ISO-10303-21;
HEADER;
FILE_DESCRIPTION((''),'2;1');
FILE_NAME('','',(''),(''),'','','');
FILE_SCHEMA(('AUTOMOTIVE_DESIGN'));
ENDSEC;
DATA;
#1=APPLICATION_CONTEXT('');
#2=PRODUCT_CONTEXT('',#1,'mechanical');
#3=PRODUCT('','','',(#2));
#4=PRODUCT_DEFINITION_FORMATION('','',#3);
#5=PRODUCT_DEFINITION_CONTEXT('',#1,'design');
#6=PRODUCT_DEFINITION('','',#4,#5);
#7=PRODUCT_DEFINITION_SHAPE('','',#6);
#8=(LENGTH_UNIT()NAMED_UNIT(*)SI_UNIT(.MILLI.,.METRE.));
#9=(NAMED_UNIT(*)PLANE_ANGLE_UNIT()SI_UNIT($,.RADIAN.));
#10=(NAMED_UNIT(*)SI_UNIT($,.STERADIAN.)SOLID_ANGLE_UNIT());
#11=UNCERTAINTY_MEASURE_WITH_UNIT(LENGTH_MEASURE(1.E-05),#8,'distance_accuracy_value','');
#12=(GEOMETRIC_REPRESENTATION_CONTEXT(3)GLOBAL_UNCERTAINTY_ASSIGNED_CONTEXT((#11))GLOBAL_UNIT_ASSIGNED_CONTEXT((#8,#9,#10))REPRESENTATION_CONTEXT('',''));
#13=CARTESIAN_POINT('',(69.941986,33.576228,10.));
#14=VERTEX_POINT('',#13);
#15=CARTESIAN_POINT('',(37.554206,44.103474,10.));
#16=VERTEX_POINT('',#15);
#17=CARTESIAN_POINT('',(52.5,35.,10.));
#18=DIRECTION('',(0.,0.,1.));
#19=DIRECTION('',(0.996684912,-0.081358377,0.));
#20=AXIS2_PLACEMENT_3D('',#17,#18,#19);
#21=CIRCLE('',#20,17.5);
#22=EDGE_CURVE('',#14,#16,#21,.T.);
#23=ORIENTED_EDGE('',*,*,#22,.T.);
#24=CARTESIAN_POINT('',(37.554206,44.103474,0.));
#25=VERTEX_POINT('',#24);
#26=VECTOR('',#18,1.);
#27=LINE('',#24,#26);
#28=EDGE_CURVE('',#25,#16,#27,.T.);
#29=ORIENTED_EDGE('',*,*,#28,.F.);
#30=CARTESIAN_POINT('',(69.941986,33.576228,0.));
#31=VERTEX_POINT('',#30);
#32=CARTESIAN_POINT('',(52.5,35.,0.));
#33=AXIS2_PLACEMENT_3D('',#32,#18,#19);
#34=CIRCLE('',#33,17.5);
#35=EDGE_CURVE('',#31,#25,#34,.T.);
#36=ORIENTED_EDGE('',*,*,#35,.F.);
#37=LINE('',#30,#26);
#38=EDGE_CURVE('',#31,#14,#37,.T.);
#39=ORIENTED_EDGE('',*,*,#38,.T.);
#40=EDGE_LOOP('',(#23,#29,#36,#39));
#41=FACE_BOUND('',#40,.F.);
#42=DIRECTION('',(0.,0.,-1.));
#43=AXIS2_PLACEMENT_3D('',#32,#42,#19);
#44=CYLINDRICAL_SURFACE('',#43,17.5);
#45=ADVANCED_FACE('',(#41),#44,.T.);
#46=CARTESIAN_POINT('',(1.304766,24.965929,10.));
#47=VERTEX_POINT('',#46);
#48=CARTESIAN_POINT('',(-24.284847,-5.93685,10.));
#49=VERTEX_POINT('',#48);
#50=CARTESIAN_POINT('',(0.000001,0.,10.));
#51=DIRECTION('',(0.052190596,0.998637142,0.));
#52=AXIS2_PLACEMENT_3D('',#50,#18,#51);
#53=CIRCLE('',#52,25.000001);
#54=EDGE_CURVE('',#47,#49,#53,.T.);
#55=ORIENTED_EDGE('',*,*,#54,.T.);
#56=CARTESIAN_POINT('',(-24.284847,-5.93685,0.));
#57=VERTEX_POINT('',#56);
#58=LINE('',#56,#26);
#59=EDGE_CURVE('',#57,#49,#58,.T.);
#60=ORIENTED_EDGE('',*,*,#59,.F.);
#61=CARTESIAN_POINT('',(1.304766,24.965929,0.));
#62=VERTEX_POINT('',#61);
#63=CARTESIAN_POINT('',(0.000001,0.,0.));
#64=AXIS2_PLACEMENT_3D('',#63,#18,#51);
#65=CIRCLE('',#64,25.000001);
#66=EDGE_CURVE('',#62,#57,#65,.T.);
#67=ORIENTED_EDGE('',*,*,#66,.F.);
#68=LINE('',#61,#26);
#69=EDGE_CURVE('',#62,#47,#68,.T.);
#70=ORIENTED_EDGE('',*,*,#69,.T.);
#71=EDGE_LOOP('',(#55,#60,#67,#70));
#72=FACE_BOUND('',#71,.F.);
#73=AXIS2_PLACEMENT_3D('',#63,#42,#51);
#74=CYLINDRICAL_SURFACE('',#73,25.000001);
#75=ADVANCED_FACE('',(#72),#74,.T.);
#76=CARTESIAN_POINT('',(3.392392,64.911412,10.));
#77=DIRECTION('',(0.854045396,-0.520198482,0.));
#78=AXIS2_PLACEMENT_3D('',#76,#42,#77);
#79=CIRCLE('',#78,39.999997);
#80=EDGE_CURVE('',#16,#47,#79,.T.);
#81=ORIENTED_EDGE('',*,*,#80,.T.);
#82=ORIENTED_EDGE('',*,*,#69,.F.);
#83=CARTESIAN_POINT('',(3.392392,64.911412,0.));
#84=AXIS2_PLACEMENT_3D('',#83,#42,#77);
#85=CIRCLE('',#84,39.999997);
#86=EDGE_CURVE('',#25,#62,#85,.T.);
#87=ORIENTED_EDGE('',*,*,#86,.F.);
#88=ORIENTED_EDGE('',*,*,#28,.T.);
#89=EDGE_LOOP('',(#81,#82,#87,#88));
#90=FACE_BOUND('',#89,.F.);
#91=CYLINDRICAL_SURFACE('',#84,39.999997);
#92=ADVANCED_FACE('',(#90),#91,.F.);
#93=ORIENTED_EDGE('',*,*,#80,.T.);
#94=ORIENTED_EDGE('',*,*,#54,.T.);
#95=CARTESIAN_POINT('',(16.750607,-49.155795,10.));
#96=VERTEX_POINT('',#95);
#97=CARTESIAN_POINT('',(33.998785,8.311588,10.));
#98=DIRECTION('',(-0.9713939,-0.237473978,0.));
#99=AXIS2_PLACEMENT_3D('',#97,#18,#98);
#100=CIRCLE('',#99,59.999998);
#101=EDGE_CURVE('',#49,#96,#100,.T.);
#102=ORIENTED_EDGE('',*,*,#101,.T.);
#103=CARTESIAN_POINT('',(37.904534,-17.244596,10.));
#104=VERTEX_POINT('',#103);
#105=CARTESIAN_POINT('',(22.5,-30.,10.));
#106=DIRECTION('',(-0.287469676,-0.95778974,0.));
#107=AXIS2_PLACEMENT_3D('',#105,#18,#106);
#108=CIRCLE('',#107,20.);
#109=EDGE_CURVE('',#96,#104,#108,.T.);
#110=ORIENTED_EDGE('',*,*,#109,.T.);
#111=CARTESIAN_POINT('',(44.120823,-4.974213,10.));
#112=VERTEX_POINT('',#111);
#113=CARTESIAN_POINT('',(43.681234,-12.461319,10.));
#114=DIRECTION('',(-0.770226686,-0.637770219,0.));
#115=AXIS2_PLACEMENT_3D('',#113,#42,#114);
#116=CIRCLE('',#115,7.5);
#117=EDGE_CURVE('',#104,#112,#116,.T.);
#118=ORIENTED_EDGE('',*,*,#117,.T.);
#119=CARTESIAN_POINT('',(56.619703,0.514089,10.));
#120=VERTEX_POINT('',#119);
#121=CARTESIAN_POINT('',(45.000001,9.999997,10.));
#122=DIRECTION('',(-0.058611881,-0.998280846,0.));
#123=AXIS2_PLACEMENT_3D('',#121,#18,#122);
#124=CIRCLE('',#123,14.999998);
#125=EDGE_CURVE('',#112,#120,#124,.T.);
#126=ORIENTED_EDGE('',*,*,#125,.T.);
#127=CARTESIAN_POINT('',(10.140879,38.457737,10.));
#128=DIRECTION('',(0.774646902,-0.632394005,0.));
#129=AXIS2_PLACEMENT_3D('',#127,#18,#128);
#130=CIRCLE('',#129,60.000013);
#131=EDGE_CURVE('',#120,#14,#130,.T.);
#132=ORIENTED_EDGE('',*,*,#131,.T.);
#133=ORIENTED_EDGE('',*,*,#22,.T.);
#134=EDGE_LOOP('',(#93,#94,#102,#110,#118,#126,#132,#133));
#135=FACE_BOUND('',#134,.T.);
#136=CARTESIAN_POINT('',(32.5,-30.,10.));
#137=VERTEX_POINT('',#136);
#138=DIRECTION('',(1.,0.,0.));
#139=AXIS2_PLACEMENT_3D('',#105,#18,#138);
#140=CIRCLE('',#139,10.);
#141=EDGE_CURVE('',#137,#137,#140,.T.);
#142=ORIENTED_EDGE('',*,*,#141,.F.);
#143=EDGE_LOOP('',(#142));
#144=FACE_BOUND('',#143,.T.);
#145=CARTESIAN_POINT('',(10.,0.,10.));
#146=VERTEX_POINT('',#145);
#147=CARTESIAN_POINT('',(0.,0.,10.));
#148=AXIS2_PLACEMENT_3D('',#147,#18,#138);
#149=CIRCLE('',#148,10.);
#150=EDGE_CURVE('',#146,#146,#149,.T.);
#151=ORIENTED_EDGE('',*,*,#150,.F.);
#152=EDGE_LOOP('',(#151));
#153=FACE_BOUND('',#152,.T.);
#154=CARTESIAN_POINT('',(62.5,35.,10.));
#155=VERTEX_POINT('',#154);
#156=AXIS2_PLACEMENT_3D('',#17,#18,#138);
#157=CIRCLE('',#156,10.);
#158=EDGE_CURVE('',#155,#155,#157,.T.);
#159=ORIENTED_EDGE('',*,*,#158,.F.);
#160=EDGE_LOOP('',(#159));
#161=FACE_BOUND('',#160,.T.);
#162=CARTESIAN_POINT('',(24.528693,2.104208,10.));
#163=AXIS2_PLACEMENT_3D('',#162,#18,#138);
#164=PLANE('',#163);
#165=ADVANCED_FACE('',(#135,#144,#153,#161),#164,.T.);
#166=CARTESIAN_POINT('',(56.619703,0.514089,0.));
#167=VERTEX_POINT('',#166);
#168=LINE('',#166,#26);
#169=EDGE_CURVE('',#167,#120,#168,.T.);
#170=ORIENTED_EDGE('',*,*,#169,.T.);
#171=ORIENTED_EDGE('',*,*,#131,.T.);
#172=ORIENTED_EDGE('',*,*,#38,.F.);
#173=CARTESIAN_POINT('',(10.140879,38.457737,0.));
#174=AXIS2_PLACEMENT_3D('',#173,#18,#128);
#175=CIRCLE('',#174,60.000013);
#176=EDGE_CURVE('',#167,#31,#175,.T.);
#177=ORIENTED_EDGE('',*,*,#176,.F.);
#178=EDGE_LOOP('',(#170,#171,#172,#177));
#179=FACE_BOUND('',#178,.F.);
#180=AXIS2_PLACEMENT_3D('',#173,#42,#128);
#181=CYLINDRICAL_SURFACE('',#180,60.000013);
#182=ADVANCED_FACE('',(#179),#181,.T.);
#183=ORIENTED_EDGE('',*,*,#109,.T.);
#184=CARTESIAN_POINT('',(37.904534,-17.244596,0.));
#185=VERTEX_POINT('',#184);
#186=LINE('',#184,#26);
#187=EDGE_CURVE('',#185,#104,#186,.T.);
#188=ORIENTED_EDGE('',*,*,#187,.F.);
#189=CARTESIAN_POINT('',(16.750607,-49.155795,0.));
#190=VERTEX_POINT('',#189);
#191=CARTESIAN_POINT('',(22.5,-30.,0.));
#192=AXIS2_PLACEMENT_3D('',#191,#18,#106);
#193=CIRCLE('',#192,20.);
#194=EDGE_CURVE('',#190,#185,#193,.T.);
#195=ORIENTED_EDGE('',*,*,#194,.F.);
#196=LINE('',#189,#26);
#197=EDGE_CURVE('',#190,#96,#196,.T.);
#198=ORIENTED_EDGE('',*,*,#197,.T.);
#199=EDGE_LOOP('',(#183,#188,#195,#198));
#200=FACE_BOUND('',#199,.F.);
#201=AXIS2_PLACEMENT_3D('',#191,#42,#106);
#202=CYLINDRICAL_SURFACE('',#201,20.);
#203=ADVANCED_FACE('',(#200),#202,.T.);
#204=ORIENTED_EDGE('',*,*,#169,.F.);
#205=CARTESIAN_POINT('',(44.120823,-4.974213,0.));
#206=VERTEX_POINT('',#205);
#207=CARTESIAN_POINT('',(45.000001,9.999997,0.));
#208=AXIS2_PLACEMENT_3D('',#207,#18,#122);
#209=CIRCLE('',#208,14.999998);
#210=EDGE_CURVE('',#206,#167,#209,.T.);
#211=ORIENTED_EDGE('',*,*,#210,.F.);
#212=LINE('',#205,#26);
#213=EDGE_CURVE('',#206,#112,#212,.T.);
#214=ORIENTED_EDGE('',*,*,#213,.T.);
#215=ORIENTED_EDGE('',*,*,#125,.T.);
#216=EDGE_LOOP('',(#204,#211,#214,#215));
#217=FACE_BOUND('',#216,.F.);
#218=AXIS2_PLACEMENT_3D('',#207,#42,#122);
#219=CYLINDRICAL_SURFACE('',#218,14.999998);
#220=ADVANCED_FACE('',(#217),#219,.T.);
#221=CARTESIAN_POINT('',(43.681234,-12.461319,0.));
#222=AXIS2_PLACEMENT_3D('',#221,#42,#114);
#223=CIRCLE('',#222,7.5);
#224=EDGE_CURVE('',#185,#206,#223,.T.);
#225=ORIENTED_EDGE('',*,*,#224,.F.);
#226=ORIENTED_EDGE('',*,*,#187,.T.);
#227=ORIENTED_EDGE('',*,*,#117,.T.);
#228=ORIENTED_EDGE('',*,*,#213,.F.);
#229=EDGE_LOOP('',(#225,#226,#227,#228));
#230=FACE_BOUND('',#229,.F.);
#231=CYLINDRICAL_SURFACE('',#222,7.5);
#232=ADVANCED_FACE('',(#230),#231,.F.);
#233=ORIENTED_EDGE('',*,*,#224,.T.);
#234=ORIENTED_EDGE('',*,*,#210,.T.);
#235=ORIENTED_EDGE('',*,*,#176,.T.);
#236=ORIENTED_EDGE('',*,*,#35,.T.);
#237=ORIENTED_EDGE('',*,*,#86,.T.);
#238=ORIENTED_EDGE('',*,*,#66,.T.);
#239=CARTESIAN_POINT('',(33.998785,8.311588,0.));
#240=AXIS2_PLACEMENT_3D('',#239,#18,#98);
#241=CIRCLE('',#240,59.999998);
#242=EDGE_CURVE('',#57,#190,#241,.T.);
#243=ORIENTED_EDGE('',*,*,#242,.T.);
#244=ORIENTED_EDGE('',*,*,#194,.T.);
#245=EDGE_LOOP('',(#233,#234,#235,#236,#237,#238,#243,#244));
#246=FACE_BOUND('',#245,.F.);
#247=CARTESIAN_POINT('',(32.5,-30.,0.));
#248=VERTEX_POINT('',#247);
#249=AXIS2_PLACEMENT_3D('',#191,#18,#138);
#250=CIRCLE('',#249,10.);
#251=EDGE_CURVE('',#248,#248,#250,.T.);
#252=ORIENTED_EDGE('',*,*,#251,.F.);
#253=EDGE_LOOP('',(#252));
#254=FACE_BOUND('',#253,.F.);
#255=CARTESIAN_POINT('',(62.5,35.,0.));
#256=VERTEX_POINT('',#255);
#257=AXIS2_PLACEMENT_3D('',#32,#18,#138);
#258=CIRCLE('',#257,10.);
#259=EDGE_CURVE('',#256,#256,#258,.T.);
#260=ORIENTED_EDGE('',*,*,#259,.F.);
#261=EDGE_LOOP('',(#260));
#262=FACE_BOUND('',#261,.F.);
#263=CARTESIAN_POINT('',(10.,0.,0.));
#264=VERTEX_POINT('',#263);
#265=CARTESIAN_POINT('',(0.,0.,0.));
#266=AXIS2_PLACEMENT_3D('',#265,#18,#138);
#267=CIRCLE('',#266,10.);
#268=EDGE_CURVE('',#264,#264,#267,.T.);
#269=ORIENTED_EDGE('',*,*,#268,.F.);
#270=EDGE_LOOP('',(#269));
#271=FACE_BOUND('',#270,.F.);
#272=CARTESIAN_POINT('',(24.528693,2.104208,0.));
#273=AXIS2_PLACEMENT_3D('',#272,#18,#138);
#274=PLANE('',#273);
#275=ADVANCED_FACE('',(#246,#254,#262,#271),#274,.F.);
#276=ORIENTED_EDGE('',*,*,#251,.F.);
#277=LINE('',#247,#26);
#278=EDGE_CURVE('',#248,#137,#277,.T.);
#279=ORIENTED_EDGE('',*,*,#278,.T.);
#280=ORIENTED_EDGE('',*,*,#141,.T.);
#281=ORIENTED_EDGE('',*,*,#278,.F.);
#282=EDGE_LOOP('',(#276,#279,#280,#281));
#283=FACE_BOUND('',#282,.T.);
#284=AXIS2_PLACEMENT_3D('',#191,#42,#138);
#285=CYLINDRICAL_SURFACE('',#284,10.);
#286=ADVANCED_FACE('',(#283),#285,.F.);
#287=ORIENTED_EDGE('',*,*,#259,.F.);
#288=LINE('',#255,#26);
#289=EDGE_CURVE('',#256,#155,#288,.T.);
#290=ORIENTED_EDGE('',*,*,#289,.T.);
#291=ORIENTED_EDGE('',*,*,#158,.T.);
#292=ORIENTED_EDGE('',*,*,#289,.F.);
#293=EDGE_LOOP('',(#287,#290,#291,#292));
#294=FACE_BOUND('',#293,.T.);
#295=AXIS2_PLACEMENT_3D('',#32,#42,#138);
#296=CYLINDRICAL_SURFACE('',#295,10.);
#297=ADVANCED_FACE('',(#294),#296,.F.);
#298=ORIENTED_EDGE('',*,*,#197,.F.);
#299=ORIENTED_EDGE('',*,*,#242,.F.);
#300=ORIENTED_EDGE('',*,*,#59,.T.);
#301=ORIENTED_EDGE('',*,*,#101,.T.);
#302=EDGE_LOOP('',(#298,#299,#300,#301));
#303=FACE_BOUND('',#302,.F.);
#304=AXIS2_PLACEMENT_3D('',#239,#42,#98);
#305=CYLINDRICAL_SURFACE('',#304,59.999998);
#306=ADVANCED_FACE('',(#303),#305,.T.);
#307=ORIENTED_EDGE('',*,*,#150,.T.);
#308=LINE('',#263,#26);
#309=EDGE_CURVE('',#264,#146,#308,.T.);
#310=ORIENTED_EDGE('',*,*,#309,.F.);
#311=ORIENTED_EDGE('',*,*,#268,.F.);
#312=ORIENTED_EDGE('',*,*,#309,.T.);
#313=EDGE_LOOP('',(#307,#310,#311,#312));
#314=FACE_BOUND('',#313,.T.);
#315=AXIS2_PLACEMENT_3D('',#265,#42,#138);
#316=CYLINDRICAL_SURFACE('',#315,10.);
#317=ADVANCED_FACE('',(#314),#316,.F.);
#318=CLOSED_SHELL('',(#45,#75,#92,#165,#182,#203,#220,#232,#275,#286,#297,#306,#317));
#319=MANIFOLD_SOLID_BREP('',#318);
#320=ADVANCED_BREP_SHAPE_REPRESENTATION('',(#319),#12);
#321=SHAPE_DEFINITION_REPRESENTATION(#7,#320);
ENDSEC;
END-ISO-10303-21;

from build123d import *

# Parameters (mm, degrees)
F0_R     = 10
F1_DEPTH = 10


with BuildPart() as f1:
    # F0 (on Top) → F1 (new body)
    with BuildSketch(Plane.XY):
        with BuildLine():
            ThreePointArc((37.554206, 44.103474), (22.067235, 29.538399), (1.304766, 24.965929))
            ThreePointArc((1.304766, 24.965929), (-19.255297, 15.944702), (-24.284847, -5.93685))
            ThreePointArc((-24.284847, -5.93685), (-9.512511, -33.001447), (16.750607, -49.155795))
            ThreePointArc((16.750607, -49.155795), (39.169931, -41.050494), (37.904534, -17.244596))
            ThreePointArc((37.904534, -17.244596), (36.990811, -9.071889), (44.120823, -4.974213))
            ThreePointArc((44.120823, -4.974213), (51.030762, -3.734261), (56.619703, 0.514089))
            ThreePointArc((56.619703, 0.514089), (65.792763, 16.032989), (69.941986, 33.576228))
            ThreePointArc((69.941986, 33.576228), (57.909572, 51.642912), (37.554206, 44.103474))
        make_face()
        Circle(F0_R, mode=Mode.SUBTRACT)
        with Locations((22.5, -30)):
            Circle(F0_R, mode=Mode.SUBTRACT)
        with Locations((52.5, 35)):
            Circle(F0_R, mode=Mode.SUBTRACT)
    extrude(amount=F1_DEPTH)


solid = f1.part
